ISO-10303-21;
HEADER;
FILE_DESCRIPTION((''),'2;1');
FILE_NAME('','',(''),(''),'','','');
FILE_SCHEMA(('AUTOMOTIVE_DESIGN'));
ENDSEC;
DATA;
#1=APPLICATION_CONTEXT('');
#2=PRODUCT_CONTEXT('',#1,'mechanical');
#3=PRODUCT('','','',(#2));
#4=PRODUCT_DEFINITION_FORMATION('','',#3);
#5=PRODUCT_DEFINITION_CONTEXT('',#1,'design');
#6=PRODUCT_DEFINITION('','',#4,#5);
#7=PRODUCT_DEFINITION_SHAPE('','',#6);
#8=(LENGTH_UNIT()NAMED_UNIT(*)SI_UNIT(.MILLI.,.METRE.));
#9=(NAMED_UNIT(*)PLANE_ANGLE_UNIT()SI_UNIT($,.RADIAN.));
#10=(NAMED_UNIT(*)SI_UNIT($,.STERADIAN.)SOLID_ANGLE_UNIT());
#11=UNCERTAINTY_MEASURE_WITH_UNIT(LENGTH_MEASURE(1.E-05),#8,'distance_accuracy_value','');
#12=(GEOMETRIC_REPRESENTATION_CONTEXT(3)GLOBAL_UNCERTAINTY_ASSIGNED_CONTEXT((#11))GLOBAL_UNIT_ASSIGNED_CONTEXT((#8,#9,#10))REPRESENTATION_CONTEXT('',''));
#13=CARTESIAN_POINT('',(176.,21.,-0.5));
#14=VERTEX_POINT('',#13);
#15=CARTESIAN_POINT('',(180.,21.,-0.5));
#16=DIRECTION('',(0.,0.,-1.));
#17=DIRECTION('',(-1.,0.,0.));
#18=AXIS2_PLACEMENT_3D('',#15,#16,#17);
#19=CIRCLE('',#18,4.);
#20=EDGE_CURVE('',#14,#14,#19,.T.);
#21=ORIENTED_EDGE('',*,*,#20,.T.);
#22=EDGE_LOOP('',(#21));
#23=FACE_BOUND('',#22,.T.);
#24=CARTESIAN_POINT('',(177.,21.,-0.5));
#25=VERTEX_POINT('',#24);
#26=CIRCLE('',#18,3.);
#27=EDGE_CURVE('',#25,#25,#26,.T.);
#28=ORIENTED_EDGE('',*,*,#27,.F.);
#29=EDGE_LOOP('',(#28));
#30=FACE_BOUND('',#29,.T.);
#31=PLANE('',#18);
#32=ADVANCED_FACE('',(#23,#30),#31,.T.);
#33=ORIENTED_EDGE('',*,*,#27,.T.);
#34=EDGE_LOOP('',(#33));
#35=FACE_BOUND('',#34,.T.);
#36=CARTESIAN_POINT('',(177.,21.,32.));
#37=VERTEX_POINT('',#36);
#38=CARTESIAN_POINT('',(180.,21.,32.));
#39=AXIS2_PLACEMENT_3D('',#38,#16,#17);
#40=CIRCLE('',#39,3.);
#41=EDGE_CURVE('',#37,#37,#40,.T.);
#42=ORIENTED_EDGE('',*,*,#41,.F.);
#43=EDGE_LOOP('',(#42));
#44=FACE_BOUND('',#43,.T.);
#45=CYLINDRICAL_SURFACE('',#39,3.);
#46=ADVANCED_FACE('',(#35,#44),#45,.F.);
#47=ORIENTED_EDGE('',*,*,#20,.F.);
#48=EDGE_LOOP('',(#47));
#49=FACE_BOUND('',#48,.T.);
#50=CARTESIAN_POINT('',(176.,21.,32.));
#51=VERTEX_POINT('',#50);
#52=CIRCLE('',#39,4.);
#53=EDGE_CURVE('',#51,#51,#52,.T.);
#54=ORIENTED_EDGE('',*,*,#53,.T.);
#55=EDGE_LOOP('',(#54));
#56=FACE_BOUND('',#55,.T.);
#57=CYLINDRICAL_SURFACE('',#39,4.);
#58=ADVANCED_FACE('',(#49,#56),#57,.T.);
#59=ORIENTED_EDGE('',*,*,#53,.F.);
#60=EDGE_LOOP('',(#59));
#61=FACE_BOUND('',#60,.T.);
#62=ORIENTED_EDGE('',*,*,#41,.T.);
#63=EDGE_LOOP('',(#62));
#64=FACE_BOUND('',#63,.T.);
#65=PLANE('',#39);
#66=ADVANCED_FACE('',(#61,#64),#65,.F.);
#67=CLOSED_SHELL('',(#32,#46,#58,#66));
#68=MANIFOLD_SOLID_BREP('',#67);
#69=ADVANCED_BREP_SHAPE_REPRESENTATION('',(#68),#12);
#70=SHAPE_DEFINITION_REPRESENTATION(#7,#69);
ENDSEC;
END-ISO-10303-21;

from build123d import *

# Parameters (mm, degrees)
TUBE_PROFILE_R   = 4
TUBE_PROFILE_R_2 = 3


with BuildPart() as part:
    # Tube: sweep along a curve in space
    with BuildLine() as tube_path:
        Line((180, 21, 32), (180, 21, -0.5))
    # Tube profile (on start of the path) → Tube (sweep)
    with BuildSketch(Plane(origin=(180, 21, 32), x_dir=(-1, 0, 0), z_dir=(0, 0, -1))):
        Circle(TUBE_PROFILE_R)
        Circle(TUBE_PROFILE_R_2, mode=Mode.SUBTRACT)
    sweep(path=tube_path.line)


solid = part.part
